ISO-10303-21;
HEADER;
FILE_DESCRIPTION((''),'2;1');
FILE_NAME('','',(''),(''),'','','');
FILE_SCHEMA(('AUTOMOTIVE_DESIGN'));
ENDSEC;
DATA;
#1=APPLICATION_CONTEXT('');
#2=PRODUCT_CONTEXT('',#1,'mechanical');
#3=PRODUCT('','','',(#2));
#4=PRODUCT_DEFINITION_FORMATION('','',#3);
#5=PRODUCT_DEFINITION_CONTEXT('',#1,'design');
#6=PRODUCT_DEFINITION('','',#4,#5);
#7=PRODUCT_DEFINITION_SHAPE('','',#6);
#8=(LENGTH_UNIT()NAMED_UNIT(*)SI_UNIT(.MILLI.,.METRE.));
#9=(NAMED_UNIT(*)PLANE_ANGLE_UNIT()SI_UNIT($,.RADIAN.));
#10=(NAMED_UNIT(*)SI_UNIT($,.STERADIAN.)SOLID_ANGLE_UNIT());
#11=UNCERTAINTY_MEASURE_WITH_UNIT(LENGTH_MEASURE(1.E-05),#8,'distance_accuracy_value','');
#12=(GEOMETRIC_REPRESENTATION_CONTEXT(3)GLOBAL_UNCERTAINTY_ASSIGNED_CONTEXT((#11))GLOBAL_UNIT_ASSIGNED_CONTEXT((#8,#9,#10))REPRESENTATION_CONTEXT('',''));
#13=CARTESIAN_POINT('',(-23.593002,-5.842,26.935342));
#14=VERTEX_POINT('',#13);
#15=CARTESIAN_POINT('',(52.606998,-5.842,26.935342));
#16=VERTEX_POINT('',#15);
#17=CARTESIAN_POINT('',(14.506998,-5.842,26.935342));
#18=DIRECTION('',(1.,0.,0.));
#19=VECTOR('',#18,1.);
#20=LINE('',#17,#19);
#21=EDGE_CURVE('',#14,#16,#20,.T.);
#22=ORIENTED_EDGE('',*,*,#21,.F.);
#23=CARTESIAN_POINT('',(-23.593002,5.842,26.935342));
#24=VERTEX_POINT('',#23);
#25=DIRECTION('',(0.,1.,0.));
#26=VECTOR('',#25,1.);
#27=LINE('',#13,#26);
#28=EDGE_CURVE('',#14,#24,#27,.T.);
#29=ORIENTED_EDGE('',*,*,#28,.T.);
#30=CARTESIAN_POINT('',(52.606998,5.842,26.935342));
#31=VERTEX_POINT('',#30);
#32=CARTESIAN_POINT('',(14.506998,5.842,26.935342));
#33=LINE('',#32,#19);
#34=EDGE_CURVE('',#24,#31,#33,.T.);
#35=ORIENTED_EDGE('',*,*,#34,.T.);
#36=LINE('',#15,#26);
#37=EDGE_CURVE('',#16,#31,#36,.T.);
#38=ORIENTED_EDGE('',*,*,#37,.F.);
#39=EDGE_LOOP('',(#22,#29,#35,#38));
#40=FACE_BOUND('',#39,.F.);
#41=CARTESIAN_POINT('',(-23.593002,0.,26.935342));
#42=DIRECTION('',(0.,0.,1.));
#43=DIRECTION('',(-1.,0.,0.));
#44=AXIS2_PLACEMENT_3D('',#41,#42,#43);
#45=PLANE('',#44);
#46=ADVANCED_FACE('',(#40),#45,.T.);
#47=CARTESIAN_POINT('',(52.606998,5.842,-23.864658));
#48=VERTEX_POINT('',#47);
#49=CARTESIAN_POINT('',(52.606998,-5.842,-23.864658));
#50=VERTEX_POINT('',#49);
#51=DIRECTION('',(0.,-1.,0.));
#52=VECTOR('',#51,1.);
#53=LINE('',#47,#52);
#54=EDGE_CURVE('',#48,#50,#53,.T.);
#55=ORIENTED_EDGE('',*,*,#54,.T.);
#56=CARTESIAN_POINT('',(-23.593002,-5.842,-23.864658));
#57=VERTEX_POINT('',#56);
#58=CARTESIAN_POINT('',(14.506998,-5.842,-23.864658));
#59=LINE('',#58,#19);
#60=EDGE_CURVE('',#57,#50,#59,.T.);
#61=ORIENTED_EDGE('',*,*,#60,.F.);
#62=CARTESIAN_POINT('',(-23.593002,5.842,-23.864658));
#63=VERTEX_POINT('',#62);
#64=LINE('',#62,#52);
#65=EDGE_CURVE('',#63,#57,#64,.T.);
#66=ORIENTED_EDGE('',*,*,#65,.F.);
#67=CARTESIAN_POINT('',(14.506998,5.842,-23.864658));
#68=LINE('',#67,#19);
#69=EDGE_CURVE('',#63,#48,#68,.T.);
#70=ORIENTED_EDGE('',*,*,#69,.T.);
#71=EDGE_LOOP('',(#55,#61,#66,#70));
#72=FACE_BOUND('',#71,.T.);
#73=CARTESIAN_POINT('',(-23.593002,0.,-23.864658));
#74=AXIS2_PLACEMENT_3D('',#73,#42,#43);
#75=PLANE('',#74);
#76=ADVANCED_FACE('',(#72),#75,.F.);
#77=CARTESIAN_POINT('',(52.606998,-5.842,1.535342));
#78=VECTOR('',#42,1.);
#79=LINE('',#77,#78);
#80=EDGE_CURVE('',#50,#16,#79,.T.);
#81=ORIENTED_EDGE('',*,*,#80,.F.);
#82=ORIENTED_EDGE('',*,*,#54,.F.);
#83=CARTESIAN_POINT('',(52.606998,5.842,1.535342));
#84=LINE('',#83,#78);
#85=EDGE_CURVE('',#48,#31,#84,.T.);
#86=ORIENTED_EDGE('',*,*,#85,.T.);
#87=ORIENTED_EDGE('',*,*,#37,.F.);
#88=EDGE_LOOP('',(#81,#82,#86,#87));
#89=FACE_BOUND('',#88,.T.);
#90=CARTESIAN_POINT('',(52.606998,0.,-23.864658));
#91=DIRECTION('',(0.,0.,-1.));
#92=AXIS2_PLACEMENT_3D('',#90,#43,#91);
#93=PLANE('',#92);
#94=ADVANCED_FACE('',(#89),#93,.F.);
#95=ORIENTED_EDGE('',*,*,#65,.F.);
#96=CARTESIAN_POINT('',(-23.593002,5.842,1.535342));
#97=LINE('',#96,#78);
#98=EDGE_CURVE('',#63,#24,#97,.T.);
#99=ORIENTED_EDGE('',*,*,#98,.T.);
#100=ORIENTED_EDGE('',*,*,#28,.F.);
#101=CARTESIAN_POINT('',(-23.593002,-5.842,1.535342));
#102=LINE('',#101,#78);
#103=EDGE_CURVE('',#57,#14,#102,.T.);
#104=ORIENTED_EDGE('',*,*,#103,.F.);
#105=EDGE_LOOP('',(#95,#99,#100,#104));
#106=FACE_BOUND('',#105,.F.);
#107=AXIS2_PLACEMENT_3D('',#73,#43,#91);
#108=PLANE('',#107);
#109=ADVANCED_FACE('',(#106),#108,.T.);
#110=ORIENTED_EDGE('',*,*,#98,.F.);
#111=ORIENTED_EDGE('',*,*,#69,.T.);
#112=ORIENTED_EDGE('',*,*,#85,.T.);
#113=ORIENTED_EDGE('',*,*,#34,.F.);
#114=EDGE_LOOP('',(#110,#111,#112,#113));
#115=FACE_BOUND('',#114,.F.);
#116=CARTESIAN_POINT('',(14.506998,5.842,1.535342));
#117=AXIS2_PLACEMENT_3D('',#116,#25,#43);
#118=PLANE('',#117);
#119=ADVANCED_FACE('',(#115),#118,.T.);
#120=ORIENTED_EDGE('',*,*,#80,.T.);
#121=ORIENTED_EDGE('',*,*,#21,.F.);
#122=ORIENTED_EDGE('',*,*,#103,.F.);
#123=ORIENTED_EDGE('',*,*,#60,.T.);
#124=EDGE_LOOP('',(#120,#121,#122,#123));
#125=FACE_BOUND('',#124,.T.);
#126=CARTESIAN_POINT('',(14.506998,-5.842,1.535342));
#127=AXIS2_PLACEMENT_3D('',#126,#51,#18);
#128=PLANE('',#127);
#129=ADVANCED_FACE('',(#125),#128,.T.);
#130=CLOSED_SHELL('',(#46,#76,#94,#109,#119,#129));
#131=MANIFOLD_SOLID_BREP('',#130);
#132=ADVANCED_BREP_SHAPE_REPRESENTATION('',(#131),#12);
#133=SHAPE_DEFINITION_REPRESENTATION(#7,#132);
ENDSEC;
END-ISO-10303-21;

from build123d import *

# Parameters (mm, degrees)
F0_W     = 76.2
F0_H     = 50.8
F1_DEPTH = 5.842


with BuildPart() as f1:
    # F0 (on Front) → F1 (new body)
    with BuildSketch(Plane.XZ):
        with Locations((14.506998, 1.535342)):
            Rectangle(F0_W, F0_H)
    extrude(amount=F1_DEPTH)

    # F2: F1 across face


with BuildPart() as f1_1:
    add(f1.part)
    add(f1.part.mirror(Plane(origin=(14.506998, 0, 1.535342), x_dir=(1, 0, 0), z_dir=(0, 1, 0))))


solid = f1_1.part
